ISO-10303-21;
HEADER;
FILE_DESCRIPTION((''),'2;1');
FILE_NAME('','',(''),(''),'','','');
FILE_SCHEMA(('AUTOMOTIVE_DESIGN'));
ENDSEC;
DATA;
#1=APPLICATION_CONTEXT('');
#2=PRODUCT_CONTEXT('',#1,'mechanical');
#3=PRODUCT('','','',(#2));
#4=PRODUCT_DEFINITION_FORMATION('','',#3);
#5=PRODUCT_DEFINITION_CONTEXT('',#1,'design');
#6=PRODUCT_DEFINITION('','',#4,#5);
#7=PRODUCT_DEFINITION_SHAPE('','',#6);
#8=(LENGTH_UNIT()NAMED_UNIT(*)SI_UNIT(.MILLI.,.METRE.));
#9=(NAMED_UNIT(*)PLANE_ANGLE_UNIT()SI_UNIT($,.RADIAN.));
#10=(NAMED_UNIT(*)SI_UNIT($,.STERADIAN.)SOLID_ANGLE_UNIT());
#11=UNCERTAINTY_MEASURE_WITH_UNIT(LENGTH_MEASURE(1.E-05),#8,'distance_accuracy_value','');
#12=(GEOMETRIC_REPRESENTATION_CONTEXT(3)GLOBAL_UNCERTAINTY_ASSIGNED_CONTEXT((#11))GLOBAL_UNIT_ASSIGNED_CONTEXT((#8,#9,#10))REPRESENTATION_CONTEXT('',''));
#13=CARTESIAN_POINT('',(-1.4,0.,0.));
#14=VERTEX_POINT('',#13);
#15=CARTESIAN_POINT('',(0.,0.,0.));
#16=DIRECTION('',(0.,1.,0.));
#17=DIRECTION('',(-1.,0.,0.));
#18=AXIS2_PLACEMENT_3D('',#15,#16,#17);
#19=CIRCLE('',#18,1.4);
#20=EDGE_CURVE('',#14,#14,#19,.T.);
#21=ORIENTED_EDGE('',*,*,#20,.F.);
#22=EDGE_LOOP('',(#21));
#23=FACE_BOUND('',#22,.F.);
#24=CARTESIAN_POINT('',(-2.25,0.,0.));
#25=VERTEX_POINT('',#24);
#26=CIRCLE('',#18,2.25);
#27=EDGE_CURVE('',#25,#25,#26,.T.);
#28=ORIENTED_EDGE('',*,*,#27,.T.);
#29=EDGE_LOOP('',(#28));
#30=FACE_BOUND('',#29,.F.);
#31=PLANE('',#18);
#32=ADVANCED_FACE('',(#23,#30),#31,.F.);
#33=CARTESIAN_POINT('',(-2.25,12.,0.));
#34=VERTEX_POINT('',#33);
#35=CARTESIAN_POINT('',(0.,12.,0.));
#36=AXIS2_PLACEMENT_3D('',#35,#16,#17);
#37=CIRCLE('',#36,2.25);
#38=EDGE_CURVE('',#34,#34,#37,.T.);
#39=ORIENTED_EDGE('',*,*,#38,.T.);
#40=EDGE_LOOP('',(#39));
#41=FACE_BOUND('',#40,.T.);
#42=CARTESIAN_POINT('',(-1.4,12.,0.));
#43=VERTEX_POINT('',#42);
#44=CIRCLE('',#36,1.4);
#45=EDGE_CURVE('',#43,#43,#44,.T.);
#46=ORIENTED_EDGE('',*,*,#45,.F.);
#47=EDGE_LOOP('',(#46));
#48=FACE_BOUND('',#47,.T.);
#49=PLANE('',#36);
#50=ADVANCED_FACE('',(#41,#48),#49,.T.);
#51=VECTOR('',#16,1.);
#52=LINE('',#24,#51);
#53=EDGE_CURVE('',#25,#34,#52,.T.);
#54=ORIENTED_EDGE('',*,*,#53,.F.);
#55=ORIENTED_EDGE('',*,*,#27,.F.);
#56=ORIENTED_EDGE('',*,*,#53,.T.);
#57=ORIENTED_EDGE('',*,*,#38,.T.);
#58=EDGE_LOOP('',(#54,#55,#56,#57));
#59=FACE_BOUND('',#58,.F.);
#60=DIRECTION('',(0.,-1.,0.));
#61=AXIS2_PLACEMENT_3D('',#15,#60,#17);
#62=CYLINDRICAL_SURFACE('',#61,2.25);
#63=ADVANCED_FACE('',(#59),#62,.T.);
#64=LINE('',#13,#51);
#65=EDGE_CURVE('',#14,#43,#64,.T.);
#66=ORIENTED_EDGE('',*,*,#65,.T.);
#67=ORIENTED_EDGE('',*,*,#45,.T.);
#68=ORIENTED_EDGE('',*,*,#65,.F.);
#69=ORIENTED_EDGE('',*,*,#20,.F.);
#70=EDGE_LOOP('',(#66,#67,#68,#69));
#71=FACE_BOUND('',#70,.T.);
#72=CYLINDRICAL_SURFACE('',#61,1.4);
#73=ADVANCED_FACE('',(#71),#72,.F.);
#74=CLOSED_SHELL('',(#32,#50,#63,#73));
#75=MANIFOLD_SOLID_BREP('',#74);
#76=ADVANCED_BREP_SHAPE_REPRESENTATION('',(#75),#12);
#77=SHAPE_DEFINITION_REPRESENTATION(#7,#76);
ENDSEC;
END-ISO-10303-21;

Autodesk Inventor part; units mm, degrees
ref_plane "YZ Plane" through (0, 0, 0) normal (1, 0, 0) x (0, 1, 0)
ref_plane "XZ Plane" through (0, 0, 0) normal (0, 1, 0) x (-1, 0, 0)
ref_plane "XY Plane" through (0, 0, 0) normal (0, 0, 1) x (1, 0, 0)
sketch "Sketch1" plane through (0, 0, 0) normal (0, 1, 0) x (-1, 0, 0)
  circle A0 centre (0, 0) radius 2.25
  circle A1 centre (0, 0) radius 1.4
  dimension "d0" = 4.5
  dimension "d1" = 2.8
extrude "Extrusion1" add sketch "Sketch1" along normal blind 12
properties part number "Rod Housing IR"
